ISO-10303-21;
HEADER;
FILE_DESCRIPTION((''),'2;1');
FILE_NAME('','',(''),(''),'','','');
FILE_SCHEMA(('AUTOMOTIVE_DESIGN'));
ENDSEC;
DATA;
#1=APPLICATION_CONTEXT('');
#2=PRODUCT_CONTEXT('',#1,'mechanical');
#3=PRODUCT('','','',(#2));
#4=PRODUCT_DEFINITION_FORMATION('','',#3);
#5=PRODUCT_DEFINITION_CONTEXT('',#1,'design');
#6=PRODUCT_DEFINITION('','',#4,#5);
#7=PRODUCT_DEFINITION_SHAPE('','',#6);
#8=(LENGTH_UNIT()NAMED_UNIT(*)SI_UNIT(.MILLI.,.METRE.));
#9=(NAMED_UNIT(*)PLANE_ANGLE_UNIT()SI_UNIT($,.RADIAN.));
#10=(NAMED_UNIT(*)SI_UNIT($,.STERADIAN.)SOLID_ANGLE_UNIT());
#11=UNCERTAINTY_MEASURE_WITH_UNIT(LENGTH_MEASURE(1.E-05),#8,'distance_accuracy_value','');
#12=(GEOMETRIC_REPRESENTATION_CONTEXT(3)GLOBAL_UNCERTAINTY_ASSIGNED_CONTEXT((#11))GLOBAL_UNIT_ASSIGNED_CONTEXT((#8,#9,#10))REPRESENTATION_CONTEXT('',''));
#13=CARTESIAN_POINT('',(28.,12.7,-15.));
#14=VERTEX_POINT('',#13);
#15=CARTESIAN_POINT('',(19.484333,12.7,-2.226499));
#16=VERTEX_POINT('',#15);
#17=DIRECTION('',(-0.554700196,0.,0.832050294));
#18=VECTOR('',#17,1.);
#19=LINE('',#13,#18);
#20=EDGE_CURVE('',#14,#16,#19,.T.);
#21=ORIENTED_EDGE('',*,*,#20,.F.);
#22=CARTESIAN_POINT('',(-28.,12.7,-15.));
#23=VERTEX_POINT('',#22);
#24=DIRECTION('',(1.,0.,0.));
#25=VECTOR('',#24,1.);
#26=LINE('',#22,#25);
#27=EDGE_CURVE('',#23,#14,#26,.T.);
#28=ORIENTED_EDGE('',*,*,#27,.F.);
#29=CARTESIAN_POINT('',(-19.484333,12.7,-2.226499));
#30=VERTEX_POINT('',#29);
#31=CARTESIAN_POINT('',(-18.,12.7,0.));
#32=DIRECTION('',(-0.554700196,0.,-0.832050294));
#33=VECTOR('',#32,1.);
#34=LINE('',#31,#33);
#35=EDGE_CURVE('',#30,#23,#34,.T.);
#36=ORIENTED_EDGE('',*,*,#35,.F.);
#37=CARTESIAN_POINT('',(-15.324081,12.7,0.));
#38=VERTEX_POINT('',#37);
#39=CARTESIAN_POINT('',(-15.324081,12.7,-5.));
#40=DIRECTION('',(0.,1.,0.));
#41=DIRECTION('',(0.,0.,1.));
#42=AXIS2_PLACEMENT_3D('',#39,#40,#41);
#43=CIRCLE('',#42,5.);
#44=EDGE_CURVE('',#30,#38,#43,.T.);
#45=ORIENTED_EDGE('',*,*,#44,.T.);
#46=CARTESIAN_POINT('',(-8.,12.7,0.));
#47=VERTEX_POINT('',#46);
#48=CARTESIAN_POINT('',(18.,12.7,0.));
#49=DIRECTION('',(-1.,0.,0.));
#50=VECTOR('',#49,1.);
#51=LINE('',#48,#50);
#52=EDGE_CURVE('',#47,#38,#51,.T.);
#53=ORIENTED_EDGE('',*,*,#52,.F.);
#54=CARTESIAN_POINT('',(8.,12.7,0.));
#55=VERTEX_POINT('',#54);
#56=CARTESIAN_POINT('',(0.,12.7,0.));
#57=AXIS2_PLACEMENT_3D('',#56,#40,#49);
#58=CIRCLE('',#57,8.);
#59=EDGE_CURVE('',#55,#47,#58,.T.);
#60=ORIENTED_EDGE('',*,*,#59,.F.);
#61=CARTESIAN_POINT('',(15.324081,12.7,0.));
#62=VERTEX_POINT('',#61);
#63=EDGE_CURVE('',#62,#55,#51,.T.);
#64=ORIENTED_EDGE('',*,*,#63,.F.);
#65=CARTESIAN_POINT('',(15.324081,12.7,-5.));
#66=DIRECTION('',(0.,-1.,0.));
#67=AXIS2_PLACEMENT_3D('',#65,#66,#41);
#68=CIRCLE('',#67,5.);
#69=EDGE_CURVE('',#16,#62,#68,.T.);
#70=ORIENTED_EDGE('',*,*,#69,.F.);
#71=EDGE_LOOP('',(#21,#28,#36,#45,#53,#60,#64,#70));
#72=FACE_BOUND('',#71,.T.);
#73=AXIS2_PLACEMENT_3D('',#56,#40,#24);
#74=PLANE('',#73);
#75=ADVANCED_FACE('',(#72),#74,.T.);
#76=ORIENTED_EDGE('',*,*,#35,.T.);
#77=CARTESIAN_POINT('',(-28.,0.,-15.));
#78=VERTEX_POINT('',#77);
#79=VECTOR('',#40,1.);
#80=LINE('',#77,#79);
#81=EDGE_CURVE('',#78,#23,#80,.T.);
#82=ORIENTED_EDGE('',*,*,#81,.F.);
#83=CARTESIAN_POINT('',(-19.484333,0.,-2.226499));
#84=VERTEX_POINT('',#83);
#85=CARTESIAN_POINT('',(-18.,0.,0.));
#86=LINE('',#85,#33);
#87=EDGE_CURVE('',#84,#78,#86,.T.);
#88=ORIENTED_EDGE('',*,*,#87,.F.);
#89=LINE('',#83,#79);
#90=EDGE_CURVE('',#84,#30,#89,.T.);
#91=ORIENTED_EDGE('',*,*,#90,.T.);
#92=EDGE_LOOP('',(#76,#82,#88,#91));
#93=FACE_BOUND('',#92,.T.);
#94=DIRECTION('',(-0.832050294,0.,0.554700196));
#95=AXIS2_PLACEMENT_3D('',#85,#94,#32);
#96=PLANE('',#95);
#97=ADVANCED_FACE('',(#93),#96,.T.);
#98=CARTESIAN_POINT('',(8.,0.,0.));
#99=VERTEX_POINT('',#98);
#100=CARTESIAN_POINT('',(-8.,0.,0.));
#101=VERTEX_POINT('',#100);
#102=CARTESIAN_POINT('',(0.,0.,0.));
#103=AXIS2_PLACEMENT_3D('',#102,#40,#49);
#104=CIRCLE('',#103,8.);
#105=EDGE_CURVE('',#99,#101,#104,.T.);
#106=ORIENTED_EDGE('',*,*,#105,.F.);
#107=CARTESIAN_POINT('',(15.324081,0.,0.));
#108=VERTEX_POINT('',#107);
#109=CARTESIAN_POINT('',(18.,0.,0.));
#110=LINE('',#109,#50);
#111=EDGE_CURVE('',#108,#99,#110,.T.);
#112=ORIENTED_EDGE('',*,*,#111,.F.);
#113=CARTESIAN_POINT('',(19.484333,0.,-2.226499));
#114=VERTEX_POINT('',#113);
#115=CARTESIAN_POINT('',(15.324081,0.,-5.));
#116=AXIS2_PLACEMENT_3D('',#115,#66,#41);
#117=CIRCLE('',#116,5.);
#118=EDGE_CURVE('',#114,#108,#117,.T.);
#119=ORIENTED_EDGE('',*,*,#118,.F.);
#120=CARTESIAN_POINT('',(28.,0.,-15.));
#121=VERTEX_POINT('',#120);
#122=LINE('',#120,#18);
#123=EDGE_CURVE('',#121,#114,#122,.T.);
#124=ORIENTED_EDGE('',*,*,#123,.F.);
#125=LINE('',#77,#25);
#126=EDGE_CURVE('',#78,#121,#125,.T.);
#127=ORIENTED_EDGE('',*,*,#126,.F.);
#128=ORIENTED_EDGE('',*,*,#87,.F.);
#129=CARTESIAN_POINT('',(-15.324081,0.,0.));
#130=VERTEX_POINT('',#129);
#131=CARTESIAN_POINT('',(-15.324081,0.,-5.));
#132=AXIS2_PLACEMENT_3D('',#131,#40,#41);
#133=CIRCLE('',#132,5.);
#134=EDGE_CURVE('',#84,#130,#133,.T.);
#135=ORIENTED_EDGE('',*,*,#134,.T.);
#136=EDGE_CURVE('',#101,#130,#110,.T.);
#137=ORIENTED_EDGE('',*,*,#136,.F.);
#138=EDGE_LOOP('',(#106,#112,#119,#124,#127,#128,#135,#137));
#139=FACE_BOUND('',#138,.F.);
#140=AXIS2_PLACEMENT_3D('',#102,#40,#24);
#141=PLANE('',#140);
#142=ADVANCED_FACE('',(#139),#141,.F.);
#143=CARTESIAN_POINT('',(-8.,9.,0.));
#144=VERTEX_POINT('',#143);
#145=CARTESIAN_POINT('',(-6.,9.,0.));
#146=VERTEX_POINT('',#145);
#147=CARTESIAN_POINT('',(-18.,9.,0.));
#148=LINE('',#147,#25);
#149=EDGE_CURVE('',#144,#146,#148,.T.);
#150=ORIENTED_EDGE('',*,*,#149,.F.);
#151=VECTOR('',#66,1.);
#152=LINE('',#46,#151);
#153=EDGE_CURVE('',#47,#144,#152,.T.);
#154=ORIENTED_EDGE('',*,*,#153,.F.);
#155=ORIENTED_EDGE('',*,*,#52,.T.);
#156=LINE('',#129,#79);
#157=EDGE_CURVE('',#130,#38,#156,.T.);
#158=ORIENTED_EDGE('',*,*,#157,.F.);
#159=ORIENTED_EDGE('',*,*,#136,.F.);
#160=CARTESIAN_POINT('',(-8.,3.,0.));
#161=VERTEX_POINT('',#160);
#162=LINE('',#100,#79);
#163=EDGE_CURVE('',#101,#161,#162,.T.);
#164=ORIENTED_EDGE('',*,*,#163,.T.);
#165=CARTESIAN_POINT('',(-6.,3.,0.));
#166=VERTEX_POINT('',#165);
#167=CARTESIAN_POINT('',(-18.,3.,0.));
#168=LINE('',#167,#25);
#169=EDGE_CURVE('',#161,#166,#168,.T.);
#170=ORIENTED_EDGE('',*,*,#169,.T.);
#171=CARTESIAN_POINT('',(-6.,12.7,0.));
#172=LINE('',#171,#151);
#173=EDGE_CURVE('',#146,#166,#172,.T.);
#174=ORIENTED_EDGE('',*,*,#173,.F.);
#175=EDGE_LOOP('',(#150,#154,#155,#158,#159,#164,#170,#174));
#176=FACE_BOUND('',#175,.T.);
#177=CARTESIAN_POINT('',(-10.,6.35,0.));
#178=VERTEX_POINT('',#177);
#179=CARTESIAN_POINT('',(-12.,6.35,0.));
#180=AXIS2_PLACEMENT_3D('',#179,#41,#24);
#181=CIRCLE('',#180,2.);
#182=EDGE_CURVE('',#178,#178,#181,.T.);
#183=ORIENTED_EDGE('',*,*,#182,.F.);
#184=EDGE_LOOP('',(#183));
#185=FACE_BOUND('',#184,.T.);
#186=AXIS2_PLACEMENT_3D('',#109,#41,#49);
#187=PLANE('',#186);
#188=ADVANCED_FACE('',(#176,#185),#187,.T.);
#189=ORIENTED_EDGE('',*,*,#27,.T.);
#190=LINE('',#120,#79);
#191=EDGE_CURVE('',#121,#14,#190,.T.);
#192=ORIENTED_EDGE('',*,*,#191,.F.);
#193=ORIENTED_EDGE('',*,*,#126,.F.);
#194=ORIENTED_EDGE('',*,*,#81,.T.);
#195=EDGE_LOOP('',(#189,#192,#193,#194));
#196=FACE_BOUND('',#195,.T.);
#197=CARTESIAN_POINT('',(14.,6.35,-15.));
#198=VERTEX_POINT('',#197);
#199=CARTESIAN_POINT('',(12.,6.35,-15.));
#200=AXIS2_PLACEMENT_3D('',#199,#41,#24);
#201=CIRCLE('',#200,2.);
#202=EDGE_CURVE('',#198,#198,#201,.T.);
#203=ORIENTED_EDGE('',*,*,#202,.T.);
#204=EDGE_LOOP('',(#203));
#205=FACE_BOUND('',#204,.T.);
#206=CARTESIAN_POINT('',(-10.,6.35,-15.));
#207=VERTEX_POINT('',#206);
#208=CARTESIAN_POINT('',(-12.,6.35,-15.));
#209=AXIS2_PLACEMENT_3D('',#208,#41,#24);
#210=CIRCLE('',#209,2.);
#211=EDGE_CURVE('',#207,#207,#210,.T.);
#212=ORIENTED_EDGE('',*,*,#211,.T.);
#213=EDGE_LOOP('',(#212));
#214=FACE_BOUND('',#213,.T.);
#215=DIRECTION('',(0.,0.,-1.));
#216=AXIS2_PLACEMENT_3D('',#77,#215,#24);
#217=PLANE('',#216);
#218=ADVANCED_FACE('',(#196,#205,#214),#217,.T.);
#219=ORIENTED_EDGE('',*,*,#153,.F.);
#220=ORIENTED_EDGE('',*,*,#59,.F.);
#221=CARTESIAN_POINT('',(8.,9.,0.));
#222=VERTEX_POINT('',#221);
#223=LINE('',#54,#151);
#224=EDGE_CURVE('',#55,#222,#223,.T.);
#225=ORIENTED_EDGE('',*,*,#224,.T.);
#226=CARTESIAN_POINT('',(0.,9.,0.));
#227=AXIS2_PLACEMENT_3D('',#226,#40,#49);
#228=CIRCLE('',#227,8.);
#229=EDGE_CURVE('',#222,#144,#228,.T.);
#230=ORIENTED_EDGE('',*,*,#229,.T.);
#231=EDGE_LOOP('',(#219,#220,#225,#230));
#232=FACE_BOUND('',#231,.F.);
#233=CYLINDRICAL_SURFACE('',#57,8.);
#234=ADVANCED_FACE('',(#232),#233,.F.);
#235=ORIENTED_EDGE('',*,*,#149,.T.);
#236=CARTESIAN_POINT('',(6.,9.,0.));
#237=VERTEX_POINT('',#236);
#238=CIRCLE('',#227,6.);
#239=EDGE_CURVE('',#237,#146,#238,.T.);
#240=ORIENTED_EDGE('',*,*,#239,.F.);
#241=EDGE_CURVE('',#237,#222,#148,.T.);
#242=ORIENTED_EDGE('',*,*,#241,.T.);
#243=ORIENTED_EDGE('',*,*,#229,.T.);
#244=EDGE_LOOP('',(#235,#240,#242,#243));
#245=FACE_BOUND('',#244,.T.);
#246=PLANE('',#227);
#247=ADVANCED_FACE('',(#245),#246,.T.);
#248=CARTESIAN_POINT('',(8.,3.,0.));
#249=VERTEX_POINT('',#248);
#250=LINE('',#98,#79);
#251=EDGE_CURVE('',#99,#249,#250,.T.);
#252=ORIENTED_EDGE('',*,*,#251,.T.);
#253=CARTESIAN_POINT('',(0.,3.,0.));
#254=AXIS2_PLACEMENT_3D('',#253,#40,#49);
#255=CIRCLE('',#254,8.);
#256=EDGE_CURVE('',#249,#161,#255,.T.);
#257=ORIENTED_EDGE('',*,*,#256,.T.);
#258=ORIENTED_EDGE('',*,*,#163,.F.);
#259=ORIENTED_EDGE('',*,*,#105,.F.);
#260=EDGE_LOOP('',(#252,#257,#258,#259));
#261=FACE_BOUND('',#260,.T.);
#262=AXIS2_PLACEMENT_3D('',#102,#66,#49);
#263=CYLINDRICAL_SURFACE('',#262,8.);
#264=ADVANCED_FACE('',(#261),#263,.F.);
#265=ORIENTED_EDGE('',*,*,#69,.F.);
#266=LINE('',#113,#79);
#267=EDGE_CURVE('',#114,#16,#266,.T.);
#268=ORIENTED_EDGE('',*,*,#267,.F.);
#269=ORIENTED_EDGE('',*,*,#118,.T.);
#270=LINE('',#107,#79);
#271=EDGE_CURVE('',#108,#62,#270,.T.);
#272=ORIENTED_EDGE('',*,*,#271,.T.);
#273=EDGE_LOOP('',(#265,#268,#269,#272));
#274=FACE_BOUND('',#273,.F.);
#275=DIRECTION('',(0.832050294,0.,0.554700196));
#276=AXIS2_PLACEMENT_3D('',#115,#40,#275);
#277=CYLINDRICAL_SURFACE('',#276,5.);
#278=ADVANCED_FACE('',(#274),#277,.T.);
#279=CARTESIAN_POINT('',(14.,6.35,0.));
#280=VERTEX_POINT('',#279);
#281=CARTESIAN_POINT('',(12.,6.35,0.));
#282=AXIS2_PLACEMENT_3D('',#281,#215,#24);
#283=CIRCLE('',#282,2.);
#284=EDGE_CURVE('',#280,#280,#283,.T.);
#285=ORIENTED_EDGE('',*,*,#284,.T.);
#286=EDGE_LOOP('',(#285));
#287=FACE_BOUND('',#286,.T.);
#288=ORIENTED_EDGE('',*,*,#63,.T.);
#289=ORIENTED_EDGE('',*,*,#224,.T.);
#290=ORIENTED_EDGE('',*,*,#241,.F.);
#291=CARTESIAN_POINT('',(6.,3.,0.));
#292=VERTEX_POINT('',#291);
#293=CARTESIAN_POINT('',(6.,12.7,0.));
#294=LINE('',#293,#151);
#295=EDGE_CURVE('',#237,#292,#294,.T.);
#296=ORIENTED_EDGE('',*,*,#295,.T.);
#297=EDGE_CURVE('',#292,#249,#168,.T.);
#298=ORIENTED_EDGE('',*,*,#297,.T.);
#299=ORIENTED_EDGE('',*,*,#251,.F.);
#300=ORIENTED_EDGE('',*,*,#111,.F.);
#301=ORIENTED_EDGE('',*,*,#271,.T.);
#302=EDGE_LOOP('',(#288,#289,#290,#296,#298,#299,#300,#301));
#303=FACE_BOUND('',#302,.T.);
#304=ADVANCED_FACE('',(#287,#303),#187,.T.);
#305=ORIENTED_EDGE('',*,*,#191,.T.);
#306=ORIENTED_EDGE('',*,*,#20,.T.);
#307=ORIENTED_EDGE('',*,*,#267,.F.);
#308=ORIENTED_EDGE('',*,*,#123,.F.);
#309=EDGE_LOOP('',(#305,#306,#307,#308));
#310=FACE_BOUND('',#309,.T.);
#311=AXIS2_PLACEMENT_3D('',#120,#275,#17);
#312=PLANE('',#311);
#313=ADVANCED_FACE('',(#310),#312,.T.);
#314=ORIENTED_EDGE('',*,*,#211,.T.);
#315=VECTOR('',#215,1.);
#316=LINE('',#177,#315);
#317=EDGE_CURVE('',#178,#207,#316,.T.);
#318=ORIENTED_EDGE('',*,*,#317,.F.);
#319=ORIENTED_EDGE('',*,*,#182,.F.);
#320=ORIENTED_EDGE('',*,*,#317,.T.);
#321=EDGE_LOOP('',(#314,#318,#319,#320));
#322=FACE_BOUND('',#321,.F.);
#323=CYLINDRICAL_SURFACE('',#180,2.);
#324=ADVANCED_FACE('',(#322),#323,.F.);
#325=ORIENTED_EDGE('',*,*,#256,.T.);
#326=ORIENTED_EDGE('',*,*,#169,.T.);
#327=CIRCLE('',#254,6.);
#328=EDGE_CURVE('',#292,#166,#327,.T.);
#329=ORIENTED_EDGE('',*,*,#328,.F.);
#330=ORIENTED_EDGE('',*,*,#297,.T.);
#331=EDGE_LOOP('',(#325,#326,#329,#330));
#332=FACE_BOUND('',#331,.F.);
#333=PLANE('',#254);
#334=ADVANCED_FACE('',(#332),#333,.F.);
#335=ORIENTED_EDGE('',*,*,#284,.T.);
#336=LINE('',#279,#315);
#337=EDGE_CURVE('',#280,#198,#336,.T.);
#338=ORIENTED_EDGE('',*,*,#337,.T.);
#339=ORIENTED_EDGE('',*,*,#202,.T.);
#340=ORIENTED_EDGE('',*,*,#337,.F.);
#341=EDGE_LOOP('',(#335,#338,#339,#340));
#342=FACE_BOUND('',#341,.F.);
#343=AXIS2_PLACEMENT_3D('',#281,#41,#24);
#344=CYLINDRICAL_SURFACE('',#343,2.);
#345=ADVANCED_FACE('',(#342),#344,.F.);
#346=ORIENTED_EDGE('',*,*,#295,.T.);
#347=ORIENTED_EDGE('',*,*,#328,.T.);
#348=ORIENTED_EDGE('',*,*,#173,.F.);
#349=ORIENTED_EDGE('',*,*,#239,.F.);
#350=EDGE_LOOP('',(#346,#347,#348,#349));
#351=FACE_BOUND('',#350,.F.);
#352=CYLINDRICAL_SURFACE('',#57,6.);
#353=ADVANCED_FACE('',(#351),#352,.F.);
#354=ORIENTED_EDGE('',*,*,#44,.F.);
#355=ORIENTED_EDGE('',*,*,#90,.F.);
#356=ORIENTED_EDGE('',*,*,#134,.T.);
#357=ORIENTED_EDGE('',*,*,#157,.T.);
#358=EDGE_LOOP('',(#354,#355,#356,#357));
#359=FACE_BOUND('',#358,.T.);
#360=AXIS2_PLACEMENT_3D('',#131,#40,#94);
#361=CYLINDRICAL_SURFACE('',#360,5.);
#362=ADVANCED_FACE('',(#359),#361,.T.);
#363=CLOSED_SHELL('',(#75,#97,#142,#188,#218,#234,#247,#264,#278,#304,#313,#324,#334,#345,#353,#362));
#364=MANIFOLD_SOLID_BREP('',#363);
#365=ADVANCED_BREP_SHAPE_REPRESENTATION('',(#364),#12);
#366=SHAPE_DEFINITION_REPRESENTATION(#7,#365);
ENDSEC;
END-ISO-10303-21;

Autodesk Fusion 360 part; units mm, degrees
sketch "Sketch1" plane through (0, 0, 0) normal (0, 1, 0) x (1, 0, 0)
  line L0 (-18, 0) -> (-28, 15)
  line L1 (-28, 15) -> (28, 15)
  line L2 (28, 15) -> (18, 0)
  line L3 (18, 0) -> (-18, 0)
  dimension "d1" = 10
  dimension "d2" = 10
  dimension "d3" = 56
  dimension "d21" = 15
extrude "Extrude1" add sketch "Sketch1" along normal blind 12.7
sketch "Sketch2" plane through (0, 12.7, 0) normal (0, 1, 0) x (-1, 0, 0)
  line L0 (-18, 0) -> (-28, -15)
  line L1 (-28, -15) -> (28, -15)
  line L2 (28, -15) -> (18, 0)
  line L3 (18, 0) -> (-18, 0)
  circle A0 centre (0, 0) radius 8
  circle A1 centre (0, 0) radius 6
  dimension "d7" = 16
  dimension "d8" = 12
extrude "Extrude2" cut sketch "Sketch2" against normal through all contours L3 A1 picked at (-1.4661, -1.3603)
extrude "Extrude3" cut sketch "Sketch2" against normal blind 3.7 contours L3 A0 A1 picked at (7.2812, -0.6955)
extrude "Extrude4" cut sketch "Sketch2" along normal blind 3 from surface at -12.7 contours L3 A0 A1 picked at (7.2812, -0.6955)
sketch "Sketch3" plane through (0, 0, 0) normal (0, 0, 1) x (1, 0, 0)
  line L0 (-8, 3) -> (-6, 3)
  line L1 (-6, 3) -> (-6, 9)
  line L2 (-6, 9) -> (-8, 9)
  line L3 (-8, 9) -> (-8, 12.7)
  line L4 (-8, 12.7) -> (-18, 12.7)
  line L5 (-18, 12.7) -> (-18, 0)
  line L6 (-18, 0) -> (-8, 0)
  line L7 (-8, 0) -> (-8, 3)
  line L8 (-12, 6.35) -> (12, 6.35)
  circle A0 centre (-12, 6.35) radius 2
  circle A1 centre (12, 6.35) radius 2
  dimension "d15" = 24
  dimension "d16" = 12
  dimension "d17" = 6.35
  dimension "d18" = 4
  dimension "d19" = 4
extrude "Extrude5" cut sketch "Sketch3" against normal through all contours A0 | A1
fillet "Fillet1" radius 5 2 edges at (-18, 6.35, 0) (18, 6.35, 0)
equation "d17 = ( 12.7 / 2 ) * 1 mm"
